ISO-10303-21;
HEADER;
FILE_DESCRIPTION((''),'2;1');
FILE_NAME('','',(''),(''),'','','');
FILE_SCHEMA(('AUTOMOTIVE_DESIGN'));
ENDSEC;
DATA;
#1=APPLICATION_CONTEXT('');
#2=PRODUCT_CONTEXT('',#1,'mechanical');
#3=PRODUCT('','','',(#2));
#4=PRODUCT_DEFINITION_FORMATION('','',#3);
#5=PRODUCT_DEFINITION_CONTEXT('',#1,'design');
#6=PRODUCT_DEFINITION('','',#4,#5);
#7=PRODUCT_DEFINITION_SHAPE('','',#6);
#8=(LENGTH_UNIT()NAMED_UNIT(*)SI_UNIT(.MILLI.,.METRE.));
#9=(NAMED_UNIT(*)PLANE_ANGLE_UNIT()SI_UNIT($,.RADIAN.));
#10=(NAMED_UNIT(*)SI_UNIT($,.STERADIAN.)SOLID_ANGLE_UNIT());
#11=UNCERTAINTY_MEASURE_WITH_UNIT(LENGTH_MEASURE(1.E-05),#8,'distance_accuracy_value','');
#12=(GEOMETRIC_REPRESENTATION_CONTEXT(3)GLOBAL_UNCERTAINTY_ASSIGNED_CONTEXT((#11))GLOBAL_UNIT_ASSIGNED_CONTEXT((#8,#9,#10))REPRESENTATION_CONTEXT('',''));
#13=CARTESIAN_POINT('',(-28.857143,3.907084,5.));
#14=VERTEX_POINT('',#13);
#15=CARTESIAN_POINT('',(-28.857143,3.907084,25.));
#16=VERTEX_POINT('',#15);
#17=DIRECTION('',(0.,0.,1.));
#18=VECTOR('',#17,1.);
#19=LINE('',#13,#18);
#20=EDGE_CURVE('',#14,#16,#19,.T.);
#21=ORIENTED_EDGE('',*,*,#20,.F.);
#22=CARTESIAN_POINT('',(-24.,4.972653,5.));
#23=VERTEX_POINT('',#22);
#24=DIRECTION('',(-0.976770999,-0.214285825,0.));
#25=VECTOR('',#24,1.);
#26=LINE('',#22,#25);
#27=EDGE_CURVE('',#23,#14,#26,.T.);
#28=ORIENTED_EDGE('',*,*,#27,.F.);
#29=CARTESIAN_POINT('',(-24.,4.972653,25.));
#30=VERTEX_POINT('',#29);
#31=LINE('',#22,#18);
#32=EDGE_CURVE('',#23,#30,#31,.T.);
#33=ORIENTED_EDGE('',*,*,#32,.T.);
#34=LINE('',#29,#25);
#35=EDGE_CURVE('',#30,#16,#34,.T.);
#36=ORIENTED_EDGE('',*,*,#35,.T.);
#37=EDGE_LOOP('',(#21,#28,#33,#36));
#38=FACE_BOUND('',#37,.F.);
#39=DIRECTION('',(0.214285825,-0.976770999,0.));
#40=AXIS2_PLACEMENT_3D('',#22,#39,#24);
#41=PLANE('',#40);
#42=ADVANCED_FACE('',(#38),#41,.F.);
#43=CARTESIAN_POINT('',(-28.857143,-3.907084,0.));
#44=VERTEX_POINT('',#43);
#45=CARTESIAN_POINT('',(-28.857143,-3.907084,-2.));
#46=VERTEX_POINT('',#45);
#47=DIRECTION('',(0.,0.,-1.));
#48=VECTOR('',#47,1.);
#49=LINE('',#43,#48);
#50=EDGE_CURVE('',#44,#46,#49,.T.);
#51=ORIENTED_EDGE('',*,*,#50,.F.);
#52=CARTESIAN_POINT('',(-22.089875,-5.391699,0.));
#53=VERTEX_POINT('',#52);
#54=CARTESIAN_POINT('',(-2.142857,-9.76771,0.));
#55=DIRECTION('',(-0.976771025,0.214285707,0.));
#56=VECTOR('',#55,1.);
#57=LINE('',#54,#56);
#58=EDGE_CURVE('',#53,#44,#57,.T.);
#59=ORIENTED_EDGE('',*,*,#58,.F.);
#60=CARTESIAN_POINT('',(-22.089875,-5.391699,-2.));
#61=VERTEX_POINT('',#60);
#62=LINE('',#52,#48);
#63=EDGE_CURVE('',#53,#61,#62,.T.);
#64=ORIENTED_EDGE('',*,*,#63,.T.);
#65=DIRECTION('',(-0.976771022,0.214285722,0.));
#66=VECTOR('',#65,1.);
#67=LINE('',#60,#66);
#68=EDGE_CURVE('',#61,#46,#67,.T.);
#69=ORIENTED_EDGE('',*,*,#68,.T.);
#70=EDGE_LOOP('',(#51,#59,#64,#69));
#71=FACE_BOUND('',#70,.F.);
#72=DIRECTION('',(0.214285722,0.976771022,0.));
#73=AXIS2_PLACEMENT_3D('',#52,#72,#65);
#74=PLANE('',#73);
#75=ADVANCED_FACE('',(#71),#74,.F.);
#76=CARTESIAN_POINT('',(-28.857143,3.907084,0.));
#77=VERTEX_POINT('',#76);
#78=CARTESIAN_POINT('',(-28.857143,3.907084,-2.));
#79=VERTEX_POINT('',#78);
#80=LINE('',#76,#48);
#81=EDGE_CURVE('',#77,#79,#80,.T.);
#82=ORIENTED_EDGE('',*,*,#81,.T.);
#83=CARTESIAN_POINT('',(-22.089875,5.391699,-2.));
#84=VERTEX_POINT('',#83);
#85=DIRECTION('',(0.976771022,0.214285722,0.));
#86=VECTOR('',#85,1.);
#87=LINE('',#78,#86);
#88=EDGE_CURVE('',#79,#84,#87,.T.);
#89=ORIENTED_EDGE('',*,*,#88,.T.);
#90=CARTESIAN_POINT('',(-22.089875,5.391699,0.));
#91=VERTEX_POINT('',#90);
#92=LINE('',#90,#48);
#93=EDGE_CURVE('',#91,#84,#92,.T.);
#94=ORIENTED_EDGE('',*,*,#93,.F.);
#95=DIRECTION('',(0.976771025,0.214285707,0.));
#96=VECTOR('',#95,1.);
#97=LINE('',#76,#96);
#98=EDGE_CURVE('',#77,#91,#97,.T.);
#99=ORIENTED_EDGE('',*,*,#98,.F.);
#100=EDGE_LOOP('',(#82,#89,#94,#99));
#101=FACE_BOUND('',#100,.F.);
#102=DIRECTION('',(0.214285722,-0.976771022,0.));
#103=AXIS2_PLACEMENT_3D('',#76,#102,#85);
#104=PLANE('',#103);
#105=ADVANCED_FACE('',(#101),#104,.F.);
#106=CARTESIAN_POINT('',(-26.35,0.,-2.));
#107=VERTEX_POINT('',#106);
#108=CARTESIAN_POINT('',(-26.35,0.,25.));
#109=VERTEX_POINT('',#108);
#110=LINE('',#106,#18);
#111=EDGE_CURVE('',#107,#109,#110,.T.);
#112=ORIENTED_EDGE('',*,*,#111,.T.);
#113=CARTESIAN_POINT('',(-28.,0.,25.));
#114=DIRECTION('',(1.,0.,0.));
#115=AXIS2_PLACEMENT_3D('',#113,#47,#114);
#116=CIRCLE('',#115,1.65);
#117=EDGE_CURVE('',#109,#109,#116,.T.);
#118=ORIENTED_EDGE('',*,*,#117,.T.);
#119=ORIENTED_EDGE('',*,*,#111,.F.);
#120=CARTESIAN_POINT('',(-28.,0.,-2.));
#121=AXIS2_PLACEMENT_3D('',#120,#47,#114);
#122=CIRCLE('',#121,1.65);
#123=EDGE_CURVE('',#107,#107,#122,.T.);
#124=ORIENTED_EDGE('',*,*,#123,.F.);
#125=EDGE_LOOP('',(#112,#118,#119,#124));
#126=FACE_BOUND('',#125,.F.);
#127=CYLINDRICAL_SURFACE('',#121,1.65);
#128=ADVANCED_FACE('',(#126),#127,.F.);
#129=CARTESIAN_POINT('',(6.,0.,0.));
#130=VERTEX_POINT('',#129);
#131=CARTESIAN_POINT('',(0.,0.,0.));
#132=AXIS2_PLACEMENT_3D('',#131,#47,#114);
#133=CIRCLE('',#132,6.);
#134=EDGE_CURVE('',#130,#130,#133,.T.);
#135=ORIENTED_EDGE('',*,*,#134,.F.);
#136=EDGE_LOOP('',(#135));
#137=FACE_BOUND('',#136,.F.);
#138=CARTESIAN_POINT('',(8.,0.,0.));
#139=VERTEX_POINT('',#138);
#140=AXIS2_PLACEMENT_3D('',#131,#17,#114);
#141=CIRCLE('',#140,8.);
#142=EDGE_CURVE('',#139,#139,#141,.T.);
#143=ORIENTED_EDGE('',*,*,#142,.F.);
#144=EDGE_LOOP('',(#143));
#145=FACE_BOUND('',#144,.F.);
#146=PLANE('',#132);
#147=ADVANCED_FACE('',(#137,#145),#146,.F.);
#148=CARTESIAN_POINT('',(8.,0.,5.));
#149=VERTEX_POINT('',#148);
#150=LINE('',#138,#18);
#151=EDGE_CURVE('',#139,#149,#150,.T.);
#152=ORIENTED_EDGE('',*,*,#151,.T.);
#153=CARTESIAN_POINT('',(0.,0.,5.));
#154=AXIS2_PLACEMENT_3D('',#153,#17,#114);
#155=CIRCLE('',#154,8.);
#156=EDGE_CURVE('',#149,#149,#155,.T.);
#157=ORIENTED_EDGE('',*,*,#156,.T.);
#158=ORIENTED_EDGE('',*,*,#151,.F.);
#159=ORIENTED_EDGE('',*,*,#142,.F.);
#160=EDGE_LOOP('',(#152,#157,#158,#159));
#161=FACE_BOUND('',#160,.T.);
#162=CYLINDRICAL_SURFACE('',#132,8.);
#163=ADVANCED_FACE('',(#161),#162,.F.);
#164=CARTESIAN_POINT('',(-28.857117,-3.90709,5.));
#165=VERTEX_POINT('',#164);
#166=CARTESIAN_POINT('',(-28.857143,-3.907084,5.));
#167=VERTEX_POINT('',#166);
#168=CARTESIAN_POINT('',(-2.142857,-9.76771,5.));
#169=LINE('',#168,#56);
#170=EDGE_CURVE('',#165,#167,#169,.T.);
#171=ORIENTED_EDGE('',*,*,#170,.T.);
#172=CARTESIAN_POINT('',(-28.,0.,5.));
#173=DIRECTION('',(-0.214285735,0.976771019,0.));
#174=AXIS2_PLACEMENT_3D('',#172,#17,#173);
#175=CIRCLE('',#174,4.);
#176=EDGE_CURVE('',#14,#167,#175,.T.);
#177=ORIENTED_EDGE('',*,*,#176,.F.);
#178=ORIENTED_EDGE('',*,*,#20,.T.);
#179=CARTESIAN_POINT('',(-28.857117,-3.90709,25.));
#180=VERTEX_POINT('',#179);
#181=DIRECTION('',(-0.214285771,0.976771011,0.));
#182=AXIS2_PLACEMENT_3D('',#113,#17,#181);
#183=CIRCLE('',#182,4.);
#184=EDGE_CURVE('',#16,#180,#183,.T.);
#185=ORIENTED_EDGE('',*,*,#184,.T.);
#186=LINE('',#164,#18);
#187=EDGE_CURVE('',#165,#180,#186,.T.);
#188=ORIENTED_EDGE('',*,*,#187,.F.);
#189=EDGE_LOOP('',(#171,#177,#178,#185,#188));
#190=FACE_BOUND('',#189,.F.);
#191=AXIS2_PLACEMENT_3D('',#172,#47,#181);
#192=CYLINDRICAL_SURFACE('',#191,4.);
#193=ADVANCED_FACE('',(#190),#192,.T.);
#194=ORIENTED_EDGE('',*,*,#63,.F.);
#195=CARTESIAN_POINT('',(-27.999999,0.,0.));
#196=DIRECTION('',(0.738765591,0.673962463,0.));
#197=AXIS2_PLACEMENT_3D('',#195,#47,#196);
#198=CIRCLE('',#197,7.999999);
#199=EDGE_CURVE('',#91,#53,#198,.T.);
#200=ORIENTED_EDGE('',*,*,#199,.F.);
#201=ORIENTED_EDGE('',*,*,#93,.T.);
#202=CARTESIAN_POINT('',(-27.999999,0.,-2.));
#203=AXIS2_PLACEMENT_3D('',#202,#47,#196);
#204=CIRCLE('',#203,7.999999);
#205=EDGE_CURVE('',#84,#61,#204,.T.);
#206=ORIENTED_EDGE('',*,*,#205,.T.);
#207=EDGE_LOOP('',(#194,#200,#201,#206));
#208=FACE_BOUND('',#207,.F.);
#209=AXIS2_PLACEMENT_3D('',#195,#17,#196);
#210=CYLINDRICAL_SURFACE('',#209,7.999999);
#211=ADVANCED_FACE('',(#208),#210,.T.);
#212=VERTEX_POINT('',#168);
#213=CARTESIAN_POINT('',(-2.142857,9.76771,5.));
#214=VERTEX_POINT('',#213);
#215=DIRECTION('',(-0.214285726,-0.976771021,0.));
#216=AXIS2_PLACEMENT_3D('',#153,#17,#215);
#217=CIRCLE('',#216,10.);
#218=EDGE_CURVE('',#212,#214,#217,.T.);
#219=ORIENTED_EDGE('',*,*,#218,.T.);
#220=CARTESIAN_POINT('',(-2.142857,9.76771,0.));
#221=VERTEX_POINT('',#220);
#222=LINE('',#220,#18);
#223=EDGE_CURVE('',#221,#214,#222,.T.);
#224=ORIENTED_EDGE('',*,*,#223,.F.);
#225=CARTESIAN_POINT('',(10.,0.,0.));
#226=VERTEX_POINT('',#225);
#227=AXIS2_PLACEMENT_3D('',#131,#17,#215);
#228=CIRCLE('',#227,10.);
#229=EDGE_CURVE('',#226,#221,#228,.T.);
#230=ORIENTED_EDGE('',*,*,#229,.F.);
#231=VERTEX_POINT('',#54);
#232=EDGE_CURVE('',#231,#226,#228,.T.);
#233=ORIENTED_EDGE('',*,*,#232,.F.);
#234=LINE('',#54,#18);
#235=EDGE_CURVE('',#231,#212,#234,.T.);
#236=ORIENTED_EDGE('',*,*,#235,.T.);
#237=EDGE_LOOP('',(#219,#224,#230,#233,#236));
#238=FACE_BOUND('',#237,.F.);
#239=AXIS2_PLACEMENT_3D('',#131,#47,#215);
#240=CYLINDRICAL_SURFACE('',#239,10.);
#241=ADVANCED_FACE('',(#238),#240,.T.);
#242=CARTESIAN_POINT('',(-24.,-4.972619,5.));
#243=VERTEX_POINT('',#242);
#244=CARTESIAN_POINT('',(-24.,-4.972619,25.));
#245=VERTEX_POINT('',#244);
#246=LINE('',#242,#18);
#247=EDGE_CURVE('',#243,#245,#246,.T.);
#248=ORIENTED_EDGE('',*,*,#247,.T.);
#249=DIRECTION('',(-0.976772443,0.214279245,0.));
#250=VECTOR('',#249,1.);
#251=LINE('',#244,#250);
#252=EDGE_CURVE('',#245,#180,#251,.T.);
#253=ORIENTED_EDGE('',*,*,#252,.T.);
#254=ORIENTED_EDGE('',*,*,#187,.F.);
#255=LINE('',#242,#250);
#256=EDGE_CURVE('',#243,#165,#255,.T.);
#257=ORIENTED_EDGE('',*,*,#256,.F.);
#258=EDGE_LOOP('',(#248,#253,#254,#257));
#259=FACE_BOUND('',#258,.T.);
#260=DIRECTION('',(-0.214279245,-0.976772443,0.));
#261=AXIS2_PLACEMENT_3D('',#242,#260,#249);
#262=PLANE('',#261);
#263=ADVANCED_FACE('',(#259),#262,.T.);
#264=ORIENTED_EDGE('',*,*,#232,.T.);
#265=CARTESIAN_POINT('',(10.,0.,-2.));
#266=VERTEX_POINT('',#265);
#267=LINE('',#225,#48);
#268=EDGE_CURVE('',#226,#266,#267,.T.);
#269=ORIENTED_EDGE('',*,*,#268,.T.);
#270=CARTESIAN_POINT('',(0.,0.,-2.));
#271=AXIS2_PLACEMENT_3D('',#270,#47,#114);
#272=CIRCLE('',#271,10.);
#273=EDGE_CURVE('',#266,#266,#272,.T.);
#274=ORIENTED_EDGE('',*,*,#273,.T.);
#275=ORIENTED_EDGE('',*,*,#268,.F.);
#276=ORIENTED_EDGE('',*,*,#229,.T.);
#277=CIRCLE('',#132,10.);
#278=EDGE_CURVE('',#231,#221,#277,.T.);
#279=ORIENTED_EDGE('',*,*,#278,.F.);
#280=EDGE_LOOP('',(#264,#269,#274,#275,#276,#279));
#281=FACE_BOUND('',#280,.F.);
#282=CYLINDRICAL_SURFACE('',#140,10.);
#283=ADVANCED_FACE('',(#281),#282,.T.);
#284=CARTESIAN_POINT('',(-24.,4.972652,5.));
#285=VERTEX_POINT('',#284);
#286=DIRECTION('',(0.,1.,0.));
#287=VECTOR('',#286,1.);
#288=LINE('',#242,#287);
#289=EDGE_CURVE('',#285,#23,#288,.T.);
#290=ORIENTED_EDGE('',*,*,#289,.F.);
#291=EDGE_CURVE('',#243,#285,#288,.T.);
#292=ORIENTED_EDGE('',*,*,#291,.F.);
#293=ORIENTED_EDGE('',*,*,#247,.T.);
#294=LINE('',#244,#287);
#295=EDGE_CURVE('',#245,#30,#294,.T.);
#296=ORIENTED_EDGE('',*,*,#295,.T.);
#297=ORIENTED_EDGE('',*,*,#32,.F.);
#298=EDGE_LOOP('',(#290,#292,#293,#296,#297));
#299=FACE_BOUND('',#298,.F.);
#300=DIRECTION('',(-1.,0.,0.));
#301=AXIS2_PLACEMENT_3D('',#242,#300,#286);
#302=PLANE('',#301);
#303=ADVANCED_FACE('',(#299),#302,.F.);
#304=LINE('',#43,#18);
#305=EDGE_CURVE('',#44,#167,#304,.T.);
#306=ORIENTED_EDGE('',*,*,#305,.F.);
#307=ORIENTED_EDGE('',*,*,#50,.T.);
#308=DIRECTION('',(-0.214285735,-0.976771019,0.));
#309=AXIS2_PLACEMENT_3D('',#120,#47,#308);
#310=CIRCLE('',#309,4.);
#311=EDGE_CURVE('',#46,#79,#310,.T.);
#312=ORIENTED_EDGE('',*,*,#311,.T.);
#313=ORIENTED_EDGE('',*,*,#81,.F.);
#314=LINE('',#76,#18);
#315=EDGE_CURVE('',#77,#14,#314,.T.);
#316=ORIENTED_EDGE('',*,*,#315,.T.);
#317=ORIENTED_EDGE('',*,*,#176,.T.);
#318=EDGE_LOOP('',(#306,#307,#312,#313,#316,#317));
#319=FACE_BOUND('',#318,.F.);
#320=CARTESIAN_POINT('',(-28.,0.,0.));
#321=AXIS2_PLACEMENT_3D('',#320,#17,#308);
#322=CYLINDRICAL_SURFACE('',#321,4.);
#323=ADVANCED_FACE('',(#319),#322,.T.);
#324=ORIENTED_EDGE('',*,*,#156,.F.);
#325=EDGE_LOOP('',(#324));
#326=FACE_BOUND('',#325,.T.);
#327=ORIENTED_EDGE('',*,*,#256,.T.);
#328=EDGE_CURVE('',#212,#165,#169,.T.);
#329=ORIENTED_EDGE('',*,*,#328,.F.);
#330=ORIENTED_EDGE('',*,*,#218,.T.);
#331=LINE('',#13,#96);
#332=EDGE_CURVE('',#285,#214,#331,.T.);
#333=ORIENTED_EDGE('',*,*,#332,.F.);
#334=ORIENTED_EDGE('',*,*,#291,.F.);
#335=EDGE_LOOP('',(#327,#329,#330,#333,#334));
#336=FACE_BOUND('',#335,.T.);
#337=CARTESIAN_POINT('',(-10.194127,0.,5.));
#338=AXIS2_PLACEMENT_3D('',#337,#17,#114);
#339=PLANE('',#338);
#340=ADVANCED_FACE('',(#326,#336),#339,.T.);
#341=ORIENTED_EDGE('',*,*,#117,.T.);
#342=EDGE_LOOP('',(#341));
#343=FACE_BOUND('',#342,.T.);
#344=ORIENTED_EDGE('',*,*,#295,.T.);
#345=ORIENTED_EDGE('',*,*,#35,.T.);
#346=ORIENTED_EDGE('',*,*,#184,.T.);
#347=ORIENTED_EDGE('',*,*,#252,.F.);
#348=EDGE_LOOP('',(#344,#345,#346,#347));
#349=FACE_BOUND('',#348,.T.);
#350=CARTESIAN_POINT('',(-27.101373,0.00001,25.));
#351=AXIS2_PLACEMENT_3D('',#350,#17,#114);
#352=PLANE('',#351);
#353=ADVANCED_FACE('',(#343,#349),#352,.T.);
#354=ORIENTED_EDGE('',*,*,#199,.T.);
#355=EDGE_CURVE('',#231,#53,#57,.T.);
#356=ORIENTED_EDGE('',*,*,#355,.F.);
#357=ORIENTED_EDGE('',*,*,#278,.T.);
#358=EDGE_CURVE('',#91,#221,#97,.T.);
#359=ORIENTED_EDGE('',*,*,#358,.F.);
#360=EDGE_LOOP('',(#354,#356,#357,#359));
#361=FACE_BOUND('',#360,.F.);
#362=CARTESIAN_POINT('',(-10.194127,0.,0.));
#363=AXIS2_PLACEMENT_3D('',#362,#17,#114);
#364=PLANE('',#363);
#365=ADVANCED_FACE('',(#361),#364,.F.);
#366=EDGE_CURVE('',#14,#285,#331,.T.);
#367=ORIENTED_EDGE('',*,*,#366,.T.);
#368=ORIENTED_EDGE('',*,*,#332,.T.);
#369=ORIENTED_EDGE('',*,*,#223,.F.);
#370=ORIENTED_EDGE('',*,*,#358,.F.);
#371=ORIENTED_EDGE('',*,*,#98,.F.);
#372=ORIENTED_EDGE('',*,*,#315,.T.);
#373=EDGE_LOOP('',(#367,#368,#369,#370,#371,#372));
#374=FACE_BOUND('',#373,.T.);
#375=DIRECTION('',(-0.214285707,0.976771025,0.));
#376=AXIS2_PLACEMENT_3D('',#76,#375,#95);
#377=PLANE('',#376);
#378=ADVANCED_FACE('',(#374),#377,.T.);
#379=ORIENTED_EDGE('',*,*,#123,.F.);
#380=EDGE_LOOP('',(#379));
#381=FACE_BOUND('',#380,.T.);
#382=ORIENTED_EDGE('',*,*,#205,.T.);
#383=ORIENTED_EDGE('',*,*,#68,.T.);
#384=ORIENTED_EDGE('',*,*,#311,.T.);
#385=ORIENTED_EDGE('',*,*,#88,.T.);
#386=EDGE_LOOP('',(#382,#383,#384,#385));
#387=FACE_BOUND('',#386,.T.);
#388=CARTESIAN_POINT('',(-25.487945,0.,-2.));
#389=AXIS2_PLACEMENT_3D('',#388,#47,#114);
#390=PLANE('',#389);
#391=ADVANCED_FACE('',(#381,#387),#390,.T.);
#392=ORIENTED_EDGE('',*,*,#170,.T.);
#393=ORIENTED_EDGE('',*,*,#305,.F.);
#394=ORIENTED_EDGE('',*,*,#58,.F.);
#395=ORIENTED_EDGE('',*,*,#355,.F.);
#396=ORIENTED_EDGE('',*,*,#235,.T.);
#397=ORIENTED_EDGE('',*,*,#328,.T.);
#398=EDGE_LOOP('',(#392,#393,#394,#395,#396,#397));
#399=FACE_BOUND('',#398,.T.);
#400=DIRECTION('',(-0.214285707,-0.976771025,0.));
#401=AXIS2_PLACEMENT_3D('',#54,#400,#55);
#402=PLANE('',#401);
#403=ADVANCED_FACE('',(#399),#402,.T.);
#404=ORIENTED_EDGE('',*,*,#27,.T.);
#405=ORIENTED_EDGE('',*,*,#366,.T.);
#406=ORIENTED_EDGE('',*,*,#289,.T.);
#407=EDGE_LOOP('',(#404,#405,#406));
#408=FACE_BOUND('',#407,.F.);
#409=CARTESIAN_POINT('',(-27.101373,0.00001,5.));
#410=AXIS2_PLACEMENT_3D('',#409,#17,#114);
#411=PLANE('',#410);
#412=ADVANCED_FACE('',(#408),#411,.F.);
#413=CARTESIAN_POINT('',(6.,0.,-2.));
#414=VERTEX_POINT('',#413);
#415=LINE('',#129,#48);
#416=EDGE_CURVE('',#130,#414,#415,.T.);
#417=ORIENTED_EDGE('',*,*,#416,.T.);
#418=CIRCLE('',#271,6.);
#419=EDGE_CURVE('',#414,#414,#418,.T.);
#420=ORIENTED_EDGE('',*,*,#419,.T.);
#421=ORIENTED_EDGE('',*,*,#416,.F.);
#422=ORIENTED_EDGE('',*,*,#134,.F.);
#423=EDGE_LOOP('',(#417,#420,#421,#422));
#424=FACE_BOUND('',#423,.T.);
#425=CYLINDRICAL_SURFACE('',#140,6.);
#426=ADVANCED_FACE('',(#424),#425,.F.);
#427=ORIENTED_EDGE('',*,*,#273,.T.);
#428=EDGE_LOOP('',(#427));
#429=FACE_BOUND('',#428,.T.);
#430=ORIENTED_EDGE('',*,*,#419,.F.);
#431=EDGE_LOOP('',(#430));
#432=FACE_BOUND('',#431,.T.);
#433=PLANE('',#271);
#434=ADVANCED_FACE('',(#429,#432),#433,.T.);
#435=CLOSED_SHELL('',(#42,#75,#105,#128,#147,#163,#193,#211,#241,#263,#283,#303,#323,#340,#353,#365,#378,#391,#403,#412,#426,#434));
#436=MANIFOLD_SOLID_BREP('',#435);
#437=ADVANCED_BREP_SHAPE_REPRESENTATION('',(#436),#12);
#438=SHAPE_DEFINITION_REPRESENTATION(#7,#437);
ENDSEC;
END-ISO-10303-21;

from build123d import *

# Parameters (mm, degrees)
SKETCH_R      = 8
PAD_DEPTH     = 5
PAD001_DEPTH  = 20
SKETCH002_R   = 10
SKETCH002_R_2 = 6
PAD002_DEPTH  = 2
PAD003_DEPTH  = 2
SKETCH004_R   = 1.65
POCKET_DEPTH  = 27.001


with BuildPart() as part:
    # Sketch → Pad (new body)
    with BuildSketch(Plane.XY):
        with BuildLine():
            ThreePointArc((-2.142857, -9.76771), (10, 0), (-2.142857, 9.76771))
            Line((-28.857143, 3.907084), (-2.142857, 9.76771))
            ThreePointArc((-28.857143, 3.907084), (-32, 0), (-28.857143, -3.907084))
            Line((-2.142857, -9.76771), (-28.857143, -3.907084))
        make_face()
        Circle(SKETCH_R, mode=Mode.SUBTRACT)
    extrude(amount=PAD_DEPTH)

    # Sketch001 (on Face7 of Pad) → Pad001 (join)
    with BuildSketch(Plane.XY.offset(5)):
        with BuildLine():
            ThreePointArc((-28.857143, 3.907084), (-32, -1.3e-05), (-28.857117, -3.90709))
            Line((-24, -4.972619), (-28.857117, -3.90709))
            Line((-24, -4.972619), (-24, 4.972653))
            Line((-24, 4.972653), (-28.857143, 3.907084))
        make_face()
    extrude(amount=PAD001_DEPTH)

    # Sketch002 → Pad002 (join)
    with BuildSketch(Plane(origin=(0, 0, 0), x_dir=(1, 0, 0), z_dir=(0, 0, -1))):
        Circle(SKETCH002_R)
        Circle(SKETCH002_R_2, mode=Mode.SUBTRACT)
    extrude(amount=PAD002_DEPTH)

    # Sketch003 (on Face7 of Pad002) → Pad003 (join)
    with BuildSketch(Plane(origin=(0, 0, 0), x_dir=(1, 0, 0), z_dir=(0, 0, -1))):
        with BuildLine():
            ThreePointArc((-28.857143, 3.907084), (-32, 0), (-28.857143, -3.907084))
            Line((-28.857143, -3.907084), (-22.089875, -5.391699))
            ThreePointArc((-22.089875, -5.391699), (-20, 0), (-22.089875, 5.391699))
            Line((-22.089875, 5.391699), (-28.857143, 3.907084))
        make_face()
    extrude(amount=PAD003_DEPTH)

    # Sketch004 (on Face18 of Pad003) → Pocket (cut, through all)
    with BuildSketch(Plane(origin=(0, 0, -2), x_dir=(1, 0, 0), z_dir=(0, 0, -1))):
        with Locations((-28, 0)):
            Circle(SKETCH004_R)
    extrude(amount=-POCKET_DEPTH, mode=Mode.SUBTRACT)


solid = part.part
